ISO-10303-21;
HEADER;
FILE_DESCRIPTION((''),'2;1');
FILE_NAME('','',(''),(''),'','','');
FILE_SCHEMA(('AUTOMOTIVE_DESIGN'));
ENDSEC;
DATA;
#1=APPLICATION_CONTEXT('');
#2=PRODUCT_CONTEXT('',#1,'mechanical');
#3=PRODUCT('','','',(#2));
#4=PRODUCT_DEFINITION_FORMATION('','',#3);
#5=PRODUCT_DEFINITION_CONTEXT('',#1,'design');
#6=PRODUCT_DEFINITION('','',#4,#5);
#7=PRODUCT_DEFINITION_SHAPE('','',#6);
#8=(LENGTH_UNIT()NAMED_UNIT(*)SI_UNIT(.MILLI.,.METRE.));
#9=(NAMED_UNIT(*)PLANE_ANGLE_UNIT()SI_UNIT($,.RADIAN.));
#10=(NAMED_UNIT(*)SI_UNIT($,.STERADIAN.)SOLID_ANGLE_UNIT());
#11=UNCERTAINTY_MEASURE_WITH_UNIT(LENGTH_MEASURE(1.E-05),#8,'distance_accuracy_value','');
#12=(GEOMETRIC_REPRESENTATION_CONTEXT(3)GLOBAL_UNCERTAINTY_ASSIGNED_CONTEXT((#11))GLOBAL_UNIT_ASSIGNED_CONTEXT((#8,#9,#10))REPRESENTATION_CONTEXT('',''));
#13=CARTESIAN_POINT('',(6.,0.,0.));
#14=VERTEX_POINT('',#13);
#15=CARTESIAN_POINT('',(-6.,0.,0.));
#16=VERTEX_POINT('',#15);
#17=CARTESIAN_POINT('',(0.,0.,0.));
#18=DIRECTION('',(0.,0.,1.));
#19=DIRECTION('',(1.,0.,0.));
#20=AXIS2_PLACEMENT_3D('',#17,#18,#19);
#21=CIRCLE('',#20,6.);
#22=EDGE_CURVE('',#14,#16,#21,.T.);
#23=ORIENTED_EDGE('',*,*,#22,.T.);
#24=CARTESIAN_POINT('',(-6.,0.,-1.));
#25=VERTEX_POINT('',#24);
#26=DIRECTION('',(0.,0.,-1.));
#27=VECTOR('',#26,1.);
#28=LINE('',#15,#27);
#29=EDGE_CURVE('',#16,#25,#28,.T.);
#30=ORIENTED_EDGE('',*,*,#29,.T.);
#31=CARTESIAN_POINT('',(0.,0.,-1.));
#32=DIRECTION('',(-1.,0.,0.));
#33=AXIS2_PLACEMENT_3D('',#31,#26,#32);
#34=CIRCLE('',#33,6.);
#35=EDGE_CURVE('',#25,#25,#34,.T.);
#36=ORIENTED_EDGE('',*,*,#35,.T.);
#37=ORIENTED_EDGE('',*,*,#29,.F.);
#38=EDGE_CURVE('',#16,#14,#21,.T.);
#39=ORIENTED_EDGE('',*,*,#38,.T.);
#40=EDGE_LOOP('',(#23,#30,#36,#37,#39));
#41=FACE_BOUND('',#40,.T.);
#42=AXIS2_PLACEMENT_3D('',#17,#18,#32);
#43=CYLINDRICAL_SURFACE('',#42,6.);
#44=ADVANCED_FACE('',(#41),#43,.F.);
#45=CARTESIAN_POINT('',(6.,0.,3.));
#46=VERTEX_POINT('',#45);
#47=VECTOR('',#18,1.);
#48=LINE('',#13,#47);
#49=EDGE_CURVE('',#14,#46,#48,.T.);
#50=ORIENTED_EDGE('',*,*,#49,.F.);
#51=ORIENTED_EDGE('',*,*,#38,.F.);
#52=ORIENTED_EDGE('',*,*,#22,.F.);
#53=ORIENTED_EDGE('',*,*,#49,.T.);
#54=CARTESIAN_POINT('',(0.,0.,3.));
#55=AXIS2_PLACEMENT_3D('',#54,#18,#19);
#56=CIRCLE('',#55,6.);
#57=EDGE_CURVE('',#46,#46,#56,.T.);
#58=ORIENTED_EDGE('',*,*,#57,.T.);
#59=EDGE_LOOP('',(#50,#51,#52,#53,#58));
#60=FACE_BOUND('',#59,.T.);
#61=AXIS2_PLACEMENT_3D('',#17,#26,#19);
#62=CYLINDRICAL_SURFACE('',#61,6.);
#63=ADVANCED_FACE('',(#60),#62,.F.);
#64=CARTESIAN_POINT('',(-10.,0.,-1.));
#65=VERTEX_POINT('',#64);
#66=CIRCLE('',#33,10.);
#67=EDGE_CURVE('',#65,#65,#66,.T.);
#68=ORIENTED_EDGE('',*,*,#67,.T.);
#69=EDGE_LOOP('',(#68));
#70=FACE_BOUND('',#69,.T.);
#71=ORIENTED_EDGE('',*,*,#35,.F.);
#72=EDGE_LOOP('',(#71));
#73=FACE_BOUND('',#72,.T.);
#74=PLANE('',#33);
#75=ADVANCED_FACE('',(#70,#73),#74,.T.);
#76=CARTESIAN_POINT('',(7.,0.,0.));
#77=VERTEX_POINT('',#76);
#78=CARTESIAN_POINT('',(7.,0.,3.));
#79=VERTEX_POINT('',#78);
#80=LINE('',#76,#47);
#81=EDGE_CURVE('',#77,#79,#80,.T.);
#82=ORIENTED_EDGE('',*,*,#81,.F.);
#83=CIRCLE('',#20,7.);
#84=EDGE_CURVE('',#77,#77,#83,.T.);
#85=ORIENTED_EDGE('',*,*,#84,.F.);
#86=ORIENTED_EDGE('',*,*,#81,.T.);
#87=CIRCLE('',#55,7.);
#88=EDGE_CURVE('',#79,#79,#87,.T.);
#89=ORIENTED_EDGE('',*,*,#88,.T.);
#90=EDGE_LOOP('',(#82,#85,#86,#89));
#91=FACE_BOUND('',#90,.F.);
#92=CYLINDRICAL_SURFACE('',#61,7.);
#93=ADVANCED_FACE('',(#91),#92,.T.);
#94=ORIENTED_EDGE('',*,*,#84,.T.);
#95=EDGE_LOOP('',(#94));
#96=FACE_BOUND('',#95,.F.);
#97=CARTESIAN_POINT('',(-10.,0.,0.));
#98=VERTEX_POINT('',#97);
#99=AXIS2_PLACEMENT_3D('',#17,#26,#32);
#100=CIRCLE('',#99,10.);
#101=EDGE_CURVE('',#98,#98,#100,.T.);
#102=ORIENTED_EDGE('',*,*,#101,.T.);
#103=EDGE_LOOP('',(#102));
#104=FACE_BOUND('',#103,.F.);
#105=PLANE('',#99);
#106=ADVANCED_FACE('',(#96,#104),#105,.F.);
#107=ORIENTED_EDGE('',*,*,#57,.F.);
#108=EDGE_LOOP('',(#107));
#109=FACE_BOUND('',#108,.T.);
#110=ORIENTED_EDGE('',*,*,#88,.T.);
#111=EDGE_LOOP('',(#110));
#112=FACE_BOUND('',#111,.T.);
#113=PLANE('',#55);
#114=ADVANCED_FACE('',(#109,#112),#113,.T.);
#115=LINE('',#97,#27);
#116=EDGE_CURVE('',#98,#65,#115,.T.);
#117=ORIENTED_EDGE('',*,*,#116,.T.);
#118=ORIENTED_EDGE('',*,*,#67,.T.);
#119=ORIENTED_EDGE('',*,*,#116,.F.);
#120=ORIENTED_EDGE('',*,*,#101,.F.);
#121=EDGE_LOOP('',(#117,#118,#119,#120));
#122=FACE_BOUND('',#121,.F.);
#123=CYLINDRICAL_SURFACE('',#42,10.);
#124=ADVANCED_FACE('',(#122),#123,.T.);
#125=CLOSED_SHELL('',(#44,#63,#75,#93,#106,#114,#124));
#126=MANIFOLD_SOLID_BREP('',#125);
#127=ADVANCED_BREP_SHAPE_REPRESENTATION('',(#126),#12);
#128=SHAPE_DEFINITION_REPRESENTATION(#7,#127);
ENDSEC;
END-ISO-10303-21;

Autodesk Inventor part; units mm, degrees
ref_plane "YZ Plane" through (0, 0, 0) normal (1, 0, 0) x (0, 1, 0)
ref_plane "XZ Plane" through (0, 0, 0) normal (0, 1, 0) x (-1, 0, 0)
ref_plane "XY Plane" through (0, 0, 0) normal (0, 0, 1) x (1, 0, 0)
sketch "スケッチ1" plane through (0, 0, 0) normal (0, 0, 1) x (1, 0, 0)
  circle A0 centre (0, 0) radius 6
  circle A1 centre (0, 0) radius 7
  dimension "d0" = 12
  dimension "d1" = 14
extrude "押し出し1" add sketch "スケッチ1" along normal blind 3
sketch "スケッチ2" plane through (0, 0, 0) normal (0, 0, -1) x (-1, 0, 0)
  circle A0 centre (0, 0) radius 7 projected
  circle A1 centre (0, 0) radius 6 projected
  circle A2 centre (0, 0) radius 10
  dimension "d4" = 20
extrude "押し出し2" add sketch "スケッチ2" along normal blind 1 contours A0 | A2
properties part number "オイレスフランジ付き12142003" material "アセタール樹脂、黒"
